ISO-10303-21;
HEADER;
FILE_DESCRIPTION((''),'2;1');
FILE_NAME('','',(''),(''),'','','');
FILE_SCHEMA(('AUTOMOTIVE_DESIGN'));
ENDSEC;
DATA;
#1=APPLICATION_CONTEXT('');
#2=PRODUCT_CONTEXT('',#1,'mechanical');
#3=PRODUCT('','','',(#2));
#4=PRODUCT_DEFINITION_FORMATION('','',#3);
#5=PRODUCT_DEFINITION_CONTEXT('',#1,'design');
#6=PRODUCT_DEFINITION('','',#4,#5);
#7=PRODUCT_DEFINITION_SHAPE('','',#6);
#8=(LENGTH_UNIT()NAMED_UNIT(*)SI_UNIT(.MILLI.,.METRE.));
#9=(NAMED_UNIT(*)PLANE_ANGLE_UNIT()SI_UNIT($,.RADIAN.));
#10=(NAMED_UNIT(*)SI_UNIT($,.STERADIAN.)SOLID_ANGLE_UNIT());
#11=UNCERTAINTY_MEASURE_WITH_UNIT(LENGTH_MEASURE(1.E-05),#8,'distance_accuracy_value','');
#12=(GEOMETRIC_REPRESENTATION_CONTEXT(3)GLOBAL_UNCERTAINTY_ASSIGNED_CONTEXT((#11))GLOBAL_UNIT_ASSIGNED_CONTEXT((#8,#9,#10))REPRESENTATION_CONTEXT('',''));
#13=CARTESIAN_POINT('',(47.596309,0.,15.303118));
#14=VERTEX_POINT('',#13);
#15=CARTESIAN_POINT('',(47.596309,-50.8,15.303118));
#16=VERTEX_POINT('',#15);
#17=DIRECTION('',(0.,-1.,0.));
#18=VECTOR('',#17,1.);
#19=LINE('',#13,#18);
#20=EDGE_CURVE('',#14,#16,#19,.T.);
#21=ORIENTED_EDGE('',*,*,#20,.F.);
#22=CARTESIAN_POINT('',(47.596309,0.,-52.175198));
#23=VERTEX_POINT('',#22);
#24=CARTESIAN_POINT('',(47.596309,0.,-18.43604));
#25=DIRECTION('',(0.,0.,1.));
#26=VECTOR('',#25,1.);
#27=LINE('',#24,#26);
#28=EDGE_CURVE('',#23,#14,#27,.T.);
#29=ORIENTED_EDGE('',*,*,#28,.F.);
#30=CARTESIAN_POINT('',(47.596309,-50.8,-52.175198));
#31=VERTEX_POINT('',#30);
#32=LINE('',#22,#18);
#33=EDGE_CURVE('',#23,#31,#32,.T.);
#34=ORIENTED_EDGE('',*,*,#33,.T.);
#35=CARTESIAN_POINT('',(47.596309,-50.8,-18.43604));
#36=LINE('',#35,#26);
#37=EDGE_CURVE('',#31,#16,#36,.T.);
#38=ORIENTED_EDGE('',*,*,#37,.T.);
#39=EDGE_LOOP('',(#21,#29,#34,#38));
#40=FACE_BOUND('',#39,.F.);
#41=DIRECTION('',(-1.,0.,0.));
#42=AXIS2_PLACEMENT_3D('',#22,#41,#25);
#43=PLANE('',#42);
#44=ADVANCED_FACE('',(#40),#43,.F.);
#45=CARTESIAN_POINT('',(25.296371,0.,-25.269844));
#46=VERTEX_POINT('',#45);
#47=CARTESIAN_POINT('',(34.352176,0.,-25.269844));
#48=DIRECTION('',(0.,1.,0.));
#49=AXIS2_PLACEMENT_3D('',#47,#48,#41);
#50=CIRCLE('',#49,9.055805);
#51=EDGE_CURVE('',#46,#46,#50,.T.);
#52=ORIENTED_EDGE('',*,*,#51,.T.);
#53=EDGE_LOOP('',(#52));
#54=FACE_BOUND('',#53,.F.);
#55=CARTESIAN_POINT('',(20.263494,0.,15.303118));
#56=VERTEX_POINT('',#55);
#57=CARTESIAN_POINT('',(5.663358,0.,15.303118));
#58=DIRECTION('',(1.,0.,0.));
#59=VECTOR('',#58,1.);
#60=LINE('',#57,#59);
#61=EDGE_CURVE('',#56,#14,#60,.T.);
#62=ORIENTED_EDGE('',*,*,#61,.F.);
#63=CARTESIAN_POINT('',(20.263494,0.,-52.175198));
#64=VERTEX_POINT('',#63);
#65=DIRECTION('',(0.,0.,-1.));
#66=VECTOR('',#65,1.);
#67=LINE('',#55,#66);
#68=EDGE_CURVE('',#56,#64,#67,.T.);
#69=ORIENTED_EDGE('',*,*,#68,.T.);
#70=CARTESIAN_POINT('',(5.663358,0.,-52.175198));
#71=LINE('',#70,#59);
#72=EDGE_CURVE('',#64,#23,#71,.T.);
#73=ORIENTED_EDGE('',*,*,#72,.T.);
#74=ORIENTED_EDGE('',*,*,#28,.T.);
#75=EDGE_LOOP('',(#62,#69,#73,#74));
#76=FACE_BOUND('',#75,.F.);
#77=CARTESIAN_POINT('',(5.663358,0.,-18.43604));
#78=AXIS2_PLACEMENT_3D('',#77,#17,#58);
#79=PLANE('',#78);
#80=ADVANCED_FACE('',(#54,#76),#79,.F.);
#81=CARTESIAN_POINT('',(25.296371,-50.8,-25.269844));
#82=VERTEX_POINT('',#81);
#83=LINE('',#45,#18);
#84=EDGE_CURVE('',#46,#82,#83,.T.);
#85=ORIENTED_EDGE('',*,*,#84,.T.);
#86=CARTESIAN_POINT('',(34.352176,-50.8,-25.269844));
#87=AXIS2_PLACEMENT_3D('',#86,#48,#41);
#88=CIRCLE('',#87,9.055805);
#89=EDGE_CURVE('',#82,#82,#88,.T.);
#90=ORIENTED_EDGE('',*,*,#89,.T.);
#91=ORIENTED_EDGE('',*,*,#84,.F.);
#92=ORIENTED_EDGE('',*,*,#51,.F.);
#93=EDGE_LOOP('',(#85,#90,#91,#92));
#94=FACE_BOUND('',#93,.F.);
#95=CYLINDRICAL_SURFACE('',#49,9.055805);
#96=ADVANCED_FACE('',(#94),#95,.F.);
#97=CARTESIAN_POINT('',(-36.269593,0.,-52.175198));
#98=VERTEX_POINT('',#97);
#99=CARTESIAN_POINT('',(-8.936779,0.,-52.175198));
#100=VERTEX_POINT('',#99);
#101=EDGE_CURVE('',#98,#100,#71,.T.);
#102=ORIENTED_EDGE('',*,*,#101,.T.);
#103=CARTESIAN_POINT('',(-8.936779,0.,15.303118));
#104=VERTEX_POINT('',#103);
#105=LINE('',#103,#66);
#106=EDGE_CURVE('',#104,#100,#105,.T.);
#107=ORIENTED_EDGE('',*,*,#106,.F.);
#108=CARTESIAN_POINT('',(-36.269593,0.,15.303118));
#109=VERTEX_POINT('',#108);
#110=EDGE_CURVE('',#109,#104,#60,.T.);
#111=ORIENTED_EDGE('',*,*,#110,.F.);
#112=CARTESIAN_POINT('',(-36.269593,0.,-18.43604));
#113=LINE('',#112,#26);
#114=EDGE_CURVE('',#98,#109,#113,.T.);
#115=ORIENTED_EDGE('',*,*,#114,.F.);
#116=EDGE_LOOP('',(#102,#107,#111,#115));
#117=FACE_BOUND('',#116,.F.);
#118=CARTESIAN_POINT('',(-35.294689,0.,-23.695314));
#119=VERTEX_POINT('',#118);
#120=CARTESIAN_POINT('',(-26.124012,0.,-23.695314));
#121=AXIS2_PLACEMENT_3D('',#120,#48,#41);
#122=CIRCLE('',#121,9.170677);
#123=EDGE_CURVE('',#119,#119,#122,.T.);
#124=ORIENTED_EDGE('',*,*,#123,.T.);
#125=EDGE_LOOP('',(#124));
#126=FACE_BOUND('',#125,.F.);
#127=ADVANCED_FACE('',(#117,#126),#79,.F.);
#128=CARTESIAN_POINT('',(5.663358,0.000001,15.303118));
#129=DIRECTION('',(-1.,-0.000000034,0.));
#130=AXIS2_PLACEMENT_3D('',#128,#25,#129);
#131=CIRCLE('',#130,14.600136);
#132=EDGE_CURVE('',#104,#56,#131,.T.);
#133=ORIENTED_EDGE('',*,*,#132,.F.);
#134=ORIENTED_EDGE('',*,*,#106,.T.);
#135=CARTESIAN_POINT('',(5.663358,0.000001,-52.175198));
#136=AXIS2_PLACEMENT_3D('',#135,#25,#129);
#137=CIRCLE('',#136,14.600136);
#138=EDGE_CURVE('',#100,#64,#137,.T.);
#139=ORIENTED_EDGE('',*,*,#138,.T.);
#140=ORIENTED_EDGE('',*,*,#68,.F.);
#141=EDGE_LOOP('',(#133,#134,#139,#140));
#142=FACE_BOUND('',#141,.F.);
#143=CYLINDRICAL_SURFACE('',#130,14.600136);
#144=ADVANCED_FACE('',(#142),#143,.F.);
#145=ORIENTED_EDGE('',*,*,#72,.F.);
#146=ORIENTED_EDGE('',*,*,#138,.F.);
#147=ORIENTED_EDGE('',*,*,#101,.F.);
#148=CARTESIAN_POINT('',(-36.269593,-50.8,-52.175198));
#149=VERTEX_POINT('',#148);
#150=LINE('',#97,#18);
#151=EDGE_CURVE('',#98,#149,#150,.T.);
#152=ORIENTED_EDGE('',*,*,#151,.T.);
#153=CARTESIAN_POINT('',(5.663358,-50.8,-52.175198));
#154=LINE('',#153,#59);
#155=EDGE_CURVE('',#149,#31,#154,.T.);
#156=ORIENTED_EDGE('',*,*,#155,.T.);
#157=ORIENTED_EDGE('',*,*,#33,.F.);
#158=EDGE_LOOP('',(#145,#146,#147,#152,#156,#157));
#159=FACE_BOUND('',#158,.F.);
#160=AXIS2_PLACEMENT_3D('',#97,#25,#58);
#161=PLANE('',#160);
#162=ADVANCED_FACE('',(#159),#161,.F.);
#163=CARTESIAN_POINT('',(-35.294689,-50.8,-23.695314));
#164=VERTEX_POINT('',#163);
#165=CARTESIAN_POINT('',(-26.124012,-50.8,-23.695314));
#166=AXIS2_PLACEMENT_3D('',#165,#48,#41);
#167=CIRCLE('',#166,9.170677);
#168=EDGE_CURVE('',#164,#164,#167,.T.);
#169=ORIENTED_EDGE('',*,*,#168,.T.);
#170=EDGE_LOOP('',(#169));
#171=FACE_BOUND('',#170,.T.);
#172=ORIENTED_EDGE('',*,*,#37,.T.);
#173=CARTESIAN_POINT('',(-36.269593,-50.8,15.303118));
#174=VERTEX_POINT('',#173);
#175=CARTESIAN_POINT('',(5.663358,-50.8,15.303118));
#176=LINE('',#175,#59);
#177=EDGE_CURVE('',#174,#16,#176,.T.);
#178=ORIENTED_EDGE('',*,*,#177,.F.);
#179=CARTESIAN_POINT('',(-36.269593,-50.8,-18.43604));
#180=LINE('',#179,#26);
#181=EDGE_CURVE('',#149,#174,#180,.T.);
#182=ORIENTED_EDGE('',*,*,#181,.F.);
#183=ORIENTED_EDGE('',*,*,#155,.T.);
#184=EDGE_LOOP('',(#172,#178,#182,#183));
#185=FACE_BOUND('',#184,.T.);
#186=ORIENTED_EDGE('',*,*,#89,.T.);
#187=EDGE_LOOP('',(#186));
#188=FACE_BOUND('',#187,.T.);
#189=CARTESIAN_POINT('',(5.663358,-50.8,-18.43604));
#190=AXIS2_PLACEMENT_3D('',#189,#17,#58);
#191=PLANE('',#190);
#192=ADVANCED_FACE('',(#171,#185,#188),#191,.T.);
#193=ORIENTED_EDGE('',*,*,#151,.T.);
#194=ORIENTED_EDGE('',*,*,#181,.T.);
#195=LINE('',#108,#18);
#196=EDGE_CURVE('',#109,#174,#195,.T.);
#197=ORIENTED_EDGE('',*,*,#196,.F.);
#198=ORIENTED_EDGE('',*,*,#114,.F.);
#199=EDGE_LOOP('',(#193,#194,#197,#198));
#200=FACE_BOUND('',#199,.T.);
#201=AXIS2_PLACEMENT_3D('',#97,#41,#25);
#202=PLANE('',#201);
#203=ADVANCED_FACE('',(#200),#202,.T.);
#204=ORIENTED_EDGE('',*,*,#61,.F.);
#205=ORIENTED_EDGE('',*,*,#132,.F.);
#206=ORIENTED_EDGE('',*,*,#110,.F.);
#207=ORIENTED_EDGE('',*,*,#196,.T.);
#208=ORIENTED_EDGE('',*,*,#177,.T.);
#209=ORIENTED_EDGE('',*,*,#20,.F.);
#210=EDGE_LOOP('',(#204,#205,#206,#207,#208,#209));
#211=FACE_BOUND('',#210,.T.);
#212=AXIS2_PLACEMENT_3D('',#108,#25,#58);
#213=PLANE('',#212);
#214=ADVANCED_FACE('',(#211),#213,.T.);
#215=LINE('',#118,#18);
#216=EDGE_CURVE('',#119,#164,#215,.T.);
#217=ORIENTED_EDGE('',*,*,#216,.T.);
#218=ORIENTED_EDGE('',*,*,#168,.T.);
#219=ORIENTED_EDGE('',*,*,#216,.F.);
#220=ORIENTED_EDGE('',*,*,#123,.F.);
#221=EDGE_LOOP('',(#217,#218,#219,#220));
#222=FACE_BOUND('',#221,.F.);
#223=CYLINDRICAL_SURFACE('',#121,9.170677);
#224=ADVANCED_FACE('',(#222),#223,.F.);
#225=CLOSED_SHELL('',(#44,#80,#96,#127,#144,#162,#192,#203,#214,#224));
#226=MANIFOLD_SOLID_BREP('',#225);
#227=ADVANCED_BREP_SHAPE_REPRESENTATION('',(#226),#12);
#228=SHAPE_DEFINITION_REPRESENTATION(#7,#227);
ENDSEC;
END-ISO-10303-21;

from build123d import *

# Parameters (mm, degrees)
F0_W     = 83.865903
F0_H     = 67.478316
F1_DEPTH = 50.8
F3_DEPTH = 74.422
F4_R     = 9.170677
F4_R_2   = 9.055805
F5_DEPTH = 65.278


with BuildPart() as f1:
    # F0 (on Front) → F1 (new body)
    with BuildSketch(Plane.XZ):
        with Locations((5.663358, -18.43604)):
            Rectangle(F0_W, F0_H)
    extrude(amount=F1_DEPTH)

    # F2 (on face) → F3 (cut)
    with BuildSketch(Plane.XY.offset(15.303118)):
        with BuildLine():
            ThreePointArc((-8.936779, 0), (5.663358, -14.600136), (20.263494, 0))
            Line((20.263494, 0), (-8.936779, 0))
        make_face()
    extrude(amount=-F3_DEPTH, mode=Mode.SUBTRACT)

    # F4 (on face) → F5 (cut)
    with BuildSketch(Plane(origin=(0, 0, 0), x_dir=(-1, 0, 0), z_dir=(0, 1, 0))):
        with Locations((26.124012, -23.695314)):
            Circle(F4_R)
        with Locations((-34.352176, -25.269844)):
            Circle(F4_R_2)
    extrude(amount=-F5_DEPTH, mode=Mode.SUBTRACT)


solid = f1.part
